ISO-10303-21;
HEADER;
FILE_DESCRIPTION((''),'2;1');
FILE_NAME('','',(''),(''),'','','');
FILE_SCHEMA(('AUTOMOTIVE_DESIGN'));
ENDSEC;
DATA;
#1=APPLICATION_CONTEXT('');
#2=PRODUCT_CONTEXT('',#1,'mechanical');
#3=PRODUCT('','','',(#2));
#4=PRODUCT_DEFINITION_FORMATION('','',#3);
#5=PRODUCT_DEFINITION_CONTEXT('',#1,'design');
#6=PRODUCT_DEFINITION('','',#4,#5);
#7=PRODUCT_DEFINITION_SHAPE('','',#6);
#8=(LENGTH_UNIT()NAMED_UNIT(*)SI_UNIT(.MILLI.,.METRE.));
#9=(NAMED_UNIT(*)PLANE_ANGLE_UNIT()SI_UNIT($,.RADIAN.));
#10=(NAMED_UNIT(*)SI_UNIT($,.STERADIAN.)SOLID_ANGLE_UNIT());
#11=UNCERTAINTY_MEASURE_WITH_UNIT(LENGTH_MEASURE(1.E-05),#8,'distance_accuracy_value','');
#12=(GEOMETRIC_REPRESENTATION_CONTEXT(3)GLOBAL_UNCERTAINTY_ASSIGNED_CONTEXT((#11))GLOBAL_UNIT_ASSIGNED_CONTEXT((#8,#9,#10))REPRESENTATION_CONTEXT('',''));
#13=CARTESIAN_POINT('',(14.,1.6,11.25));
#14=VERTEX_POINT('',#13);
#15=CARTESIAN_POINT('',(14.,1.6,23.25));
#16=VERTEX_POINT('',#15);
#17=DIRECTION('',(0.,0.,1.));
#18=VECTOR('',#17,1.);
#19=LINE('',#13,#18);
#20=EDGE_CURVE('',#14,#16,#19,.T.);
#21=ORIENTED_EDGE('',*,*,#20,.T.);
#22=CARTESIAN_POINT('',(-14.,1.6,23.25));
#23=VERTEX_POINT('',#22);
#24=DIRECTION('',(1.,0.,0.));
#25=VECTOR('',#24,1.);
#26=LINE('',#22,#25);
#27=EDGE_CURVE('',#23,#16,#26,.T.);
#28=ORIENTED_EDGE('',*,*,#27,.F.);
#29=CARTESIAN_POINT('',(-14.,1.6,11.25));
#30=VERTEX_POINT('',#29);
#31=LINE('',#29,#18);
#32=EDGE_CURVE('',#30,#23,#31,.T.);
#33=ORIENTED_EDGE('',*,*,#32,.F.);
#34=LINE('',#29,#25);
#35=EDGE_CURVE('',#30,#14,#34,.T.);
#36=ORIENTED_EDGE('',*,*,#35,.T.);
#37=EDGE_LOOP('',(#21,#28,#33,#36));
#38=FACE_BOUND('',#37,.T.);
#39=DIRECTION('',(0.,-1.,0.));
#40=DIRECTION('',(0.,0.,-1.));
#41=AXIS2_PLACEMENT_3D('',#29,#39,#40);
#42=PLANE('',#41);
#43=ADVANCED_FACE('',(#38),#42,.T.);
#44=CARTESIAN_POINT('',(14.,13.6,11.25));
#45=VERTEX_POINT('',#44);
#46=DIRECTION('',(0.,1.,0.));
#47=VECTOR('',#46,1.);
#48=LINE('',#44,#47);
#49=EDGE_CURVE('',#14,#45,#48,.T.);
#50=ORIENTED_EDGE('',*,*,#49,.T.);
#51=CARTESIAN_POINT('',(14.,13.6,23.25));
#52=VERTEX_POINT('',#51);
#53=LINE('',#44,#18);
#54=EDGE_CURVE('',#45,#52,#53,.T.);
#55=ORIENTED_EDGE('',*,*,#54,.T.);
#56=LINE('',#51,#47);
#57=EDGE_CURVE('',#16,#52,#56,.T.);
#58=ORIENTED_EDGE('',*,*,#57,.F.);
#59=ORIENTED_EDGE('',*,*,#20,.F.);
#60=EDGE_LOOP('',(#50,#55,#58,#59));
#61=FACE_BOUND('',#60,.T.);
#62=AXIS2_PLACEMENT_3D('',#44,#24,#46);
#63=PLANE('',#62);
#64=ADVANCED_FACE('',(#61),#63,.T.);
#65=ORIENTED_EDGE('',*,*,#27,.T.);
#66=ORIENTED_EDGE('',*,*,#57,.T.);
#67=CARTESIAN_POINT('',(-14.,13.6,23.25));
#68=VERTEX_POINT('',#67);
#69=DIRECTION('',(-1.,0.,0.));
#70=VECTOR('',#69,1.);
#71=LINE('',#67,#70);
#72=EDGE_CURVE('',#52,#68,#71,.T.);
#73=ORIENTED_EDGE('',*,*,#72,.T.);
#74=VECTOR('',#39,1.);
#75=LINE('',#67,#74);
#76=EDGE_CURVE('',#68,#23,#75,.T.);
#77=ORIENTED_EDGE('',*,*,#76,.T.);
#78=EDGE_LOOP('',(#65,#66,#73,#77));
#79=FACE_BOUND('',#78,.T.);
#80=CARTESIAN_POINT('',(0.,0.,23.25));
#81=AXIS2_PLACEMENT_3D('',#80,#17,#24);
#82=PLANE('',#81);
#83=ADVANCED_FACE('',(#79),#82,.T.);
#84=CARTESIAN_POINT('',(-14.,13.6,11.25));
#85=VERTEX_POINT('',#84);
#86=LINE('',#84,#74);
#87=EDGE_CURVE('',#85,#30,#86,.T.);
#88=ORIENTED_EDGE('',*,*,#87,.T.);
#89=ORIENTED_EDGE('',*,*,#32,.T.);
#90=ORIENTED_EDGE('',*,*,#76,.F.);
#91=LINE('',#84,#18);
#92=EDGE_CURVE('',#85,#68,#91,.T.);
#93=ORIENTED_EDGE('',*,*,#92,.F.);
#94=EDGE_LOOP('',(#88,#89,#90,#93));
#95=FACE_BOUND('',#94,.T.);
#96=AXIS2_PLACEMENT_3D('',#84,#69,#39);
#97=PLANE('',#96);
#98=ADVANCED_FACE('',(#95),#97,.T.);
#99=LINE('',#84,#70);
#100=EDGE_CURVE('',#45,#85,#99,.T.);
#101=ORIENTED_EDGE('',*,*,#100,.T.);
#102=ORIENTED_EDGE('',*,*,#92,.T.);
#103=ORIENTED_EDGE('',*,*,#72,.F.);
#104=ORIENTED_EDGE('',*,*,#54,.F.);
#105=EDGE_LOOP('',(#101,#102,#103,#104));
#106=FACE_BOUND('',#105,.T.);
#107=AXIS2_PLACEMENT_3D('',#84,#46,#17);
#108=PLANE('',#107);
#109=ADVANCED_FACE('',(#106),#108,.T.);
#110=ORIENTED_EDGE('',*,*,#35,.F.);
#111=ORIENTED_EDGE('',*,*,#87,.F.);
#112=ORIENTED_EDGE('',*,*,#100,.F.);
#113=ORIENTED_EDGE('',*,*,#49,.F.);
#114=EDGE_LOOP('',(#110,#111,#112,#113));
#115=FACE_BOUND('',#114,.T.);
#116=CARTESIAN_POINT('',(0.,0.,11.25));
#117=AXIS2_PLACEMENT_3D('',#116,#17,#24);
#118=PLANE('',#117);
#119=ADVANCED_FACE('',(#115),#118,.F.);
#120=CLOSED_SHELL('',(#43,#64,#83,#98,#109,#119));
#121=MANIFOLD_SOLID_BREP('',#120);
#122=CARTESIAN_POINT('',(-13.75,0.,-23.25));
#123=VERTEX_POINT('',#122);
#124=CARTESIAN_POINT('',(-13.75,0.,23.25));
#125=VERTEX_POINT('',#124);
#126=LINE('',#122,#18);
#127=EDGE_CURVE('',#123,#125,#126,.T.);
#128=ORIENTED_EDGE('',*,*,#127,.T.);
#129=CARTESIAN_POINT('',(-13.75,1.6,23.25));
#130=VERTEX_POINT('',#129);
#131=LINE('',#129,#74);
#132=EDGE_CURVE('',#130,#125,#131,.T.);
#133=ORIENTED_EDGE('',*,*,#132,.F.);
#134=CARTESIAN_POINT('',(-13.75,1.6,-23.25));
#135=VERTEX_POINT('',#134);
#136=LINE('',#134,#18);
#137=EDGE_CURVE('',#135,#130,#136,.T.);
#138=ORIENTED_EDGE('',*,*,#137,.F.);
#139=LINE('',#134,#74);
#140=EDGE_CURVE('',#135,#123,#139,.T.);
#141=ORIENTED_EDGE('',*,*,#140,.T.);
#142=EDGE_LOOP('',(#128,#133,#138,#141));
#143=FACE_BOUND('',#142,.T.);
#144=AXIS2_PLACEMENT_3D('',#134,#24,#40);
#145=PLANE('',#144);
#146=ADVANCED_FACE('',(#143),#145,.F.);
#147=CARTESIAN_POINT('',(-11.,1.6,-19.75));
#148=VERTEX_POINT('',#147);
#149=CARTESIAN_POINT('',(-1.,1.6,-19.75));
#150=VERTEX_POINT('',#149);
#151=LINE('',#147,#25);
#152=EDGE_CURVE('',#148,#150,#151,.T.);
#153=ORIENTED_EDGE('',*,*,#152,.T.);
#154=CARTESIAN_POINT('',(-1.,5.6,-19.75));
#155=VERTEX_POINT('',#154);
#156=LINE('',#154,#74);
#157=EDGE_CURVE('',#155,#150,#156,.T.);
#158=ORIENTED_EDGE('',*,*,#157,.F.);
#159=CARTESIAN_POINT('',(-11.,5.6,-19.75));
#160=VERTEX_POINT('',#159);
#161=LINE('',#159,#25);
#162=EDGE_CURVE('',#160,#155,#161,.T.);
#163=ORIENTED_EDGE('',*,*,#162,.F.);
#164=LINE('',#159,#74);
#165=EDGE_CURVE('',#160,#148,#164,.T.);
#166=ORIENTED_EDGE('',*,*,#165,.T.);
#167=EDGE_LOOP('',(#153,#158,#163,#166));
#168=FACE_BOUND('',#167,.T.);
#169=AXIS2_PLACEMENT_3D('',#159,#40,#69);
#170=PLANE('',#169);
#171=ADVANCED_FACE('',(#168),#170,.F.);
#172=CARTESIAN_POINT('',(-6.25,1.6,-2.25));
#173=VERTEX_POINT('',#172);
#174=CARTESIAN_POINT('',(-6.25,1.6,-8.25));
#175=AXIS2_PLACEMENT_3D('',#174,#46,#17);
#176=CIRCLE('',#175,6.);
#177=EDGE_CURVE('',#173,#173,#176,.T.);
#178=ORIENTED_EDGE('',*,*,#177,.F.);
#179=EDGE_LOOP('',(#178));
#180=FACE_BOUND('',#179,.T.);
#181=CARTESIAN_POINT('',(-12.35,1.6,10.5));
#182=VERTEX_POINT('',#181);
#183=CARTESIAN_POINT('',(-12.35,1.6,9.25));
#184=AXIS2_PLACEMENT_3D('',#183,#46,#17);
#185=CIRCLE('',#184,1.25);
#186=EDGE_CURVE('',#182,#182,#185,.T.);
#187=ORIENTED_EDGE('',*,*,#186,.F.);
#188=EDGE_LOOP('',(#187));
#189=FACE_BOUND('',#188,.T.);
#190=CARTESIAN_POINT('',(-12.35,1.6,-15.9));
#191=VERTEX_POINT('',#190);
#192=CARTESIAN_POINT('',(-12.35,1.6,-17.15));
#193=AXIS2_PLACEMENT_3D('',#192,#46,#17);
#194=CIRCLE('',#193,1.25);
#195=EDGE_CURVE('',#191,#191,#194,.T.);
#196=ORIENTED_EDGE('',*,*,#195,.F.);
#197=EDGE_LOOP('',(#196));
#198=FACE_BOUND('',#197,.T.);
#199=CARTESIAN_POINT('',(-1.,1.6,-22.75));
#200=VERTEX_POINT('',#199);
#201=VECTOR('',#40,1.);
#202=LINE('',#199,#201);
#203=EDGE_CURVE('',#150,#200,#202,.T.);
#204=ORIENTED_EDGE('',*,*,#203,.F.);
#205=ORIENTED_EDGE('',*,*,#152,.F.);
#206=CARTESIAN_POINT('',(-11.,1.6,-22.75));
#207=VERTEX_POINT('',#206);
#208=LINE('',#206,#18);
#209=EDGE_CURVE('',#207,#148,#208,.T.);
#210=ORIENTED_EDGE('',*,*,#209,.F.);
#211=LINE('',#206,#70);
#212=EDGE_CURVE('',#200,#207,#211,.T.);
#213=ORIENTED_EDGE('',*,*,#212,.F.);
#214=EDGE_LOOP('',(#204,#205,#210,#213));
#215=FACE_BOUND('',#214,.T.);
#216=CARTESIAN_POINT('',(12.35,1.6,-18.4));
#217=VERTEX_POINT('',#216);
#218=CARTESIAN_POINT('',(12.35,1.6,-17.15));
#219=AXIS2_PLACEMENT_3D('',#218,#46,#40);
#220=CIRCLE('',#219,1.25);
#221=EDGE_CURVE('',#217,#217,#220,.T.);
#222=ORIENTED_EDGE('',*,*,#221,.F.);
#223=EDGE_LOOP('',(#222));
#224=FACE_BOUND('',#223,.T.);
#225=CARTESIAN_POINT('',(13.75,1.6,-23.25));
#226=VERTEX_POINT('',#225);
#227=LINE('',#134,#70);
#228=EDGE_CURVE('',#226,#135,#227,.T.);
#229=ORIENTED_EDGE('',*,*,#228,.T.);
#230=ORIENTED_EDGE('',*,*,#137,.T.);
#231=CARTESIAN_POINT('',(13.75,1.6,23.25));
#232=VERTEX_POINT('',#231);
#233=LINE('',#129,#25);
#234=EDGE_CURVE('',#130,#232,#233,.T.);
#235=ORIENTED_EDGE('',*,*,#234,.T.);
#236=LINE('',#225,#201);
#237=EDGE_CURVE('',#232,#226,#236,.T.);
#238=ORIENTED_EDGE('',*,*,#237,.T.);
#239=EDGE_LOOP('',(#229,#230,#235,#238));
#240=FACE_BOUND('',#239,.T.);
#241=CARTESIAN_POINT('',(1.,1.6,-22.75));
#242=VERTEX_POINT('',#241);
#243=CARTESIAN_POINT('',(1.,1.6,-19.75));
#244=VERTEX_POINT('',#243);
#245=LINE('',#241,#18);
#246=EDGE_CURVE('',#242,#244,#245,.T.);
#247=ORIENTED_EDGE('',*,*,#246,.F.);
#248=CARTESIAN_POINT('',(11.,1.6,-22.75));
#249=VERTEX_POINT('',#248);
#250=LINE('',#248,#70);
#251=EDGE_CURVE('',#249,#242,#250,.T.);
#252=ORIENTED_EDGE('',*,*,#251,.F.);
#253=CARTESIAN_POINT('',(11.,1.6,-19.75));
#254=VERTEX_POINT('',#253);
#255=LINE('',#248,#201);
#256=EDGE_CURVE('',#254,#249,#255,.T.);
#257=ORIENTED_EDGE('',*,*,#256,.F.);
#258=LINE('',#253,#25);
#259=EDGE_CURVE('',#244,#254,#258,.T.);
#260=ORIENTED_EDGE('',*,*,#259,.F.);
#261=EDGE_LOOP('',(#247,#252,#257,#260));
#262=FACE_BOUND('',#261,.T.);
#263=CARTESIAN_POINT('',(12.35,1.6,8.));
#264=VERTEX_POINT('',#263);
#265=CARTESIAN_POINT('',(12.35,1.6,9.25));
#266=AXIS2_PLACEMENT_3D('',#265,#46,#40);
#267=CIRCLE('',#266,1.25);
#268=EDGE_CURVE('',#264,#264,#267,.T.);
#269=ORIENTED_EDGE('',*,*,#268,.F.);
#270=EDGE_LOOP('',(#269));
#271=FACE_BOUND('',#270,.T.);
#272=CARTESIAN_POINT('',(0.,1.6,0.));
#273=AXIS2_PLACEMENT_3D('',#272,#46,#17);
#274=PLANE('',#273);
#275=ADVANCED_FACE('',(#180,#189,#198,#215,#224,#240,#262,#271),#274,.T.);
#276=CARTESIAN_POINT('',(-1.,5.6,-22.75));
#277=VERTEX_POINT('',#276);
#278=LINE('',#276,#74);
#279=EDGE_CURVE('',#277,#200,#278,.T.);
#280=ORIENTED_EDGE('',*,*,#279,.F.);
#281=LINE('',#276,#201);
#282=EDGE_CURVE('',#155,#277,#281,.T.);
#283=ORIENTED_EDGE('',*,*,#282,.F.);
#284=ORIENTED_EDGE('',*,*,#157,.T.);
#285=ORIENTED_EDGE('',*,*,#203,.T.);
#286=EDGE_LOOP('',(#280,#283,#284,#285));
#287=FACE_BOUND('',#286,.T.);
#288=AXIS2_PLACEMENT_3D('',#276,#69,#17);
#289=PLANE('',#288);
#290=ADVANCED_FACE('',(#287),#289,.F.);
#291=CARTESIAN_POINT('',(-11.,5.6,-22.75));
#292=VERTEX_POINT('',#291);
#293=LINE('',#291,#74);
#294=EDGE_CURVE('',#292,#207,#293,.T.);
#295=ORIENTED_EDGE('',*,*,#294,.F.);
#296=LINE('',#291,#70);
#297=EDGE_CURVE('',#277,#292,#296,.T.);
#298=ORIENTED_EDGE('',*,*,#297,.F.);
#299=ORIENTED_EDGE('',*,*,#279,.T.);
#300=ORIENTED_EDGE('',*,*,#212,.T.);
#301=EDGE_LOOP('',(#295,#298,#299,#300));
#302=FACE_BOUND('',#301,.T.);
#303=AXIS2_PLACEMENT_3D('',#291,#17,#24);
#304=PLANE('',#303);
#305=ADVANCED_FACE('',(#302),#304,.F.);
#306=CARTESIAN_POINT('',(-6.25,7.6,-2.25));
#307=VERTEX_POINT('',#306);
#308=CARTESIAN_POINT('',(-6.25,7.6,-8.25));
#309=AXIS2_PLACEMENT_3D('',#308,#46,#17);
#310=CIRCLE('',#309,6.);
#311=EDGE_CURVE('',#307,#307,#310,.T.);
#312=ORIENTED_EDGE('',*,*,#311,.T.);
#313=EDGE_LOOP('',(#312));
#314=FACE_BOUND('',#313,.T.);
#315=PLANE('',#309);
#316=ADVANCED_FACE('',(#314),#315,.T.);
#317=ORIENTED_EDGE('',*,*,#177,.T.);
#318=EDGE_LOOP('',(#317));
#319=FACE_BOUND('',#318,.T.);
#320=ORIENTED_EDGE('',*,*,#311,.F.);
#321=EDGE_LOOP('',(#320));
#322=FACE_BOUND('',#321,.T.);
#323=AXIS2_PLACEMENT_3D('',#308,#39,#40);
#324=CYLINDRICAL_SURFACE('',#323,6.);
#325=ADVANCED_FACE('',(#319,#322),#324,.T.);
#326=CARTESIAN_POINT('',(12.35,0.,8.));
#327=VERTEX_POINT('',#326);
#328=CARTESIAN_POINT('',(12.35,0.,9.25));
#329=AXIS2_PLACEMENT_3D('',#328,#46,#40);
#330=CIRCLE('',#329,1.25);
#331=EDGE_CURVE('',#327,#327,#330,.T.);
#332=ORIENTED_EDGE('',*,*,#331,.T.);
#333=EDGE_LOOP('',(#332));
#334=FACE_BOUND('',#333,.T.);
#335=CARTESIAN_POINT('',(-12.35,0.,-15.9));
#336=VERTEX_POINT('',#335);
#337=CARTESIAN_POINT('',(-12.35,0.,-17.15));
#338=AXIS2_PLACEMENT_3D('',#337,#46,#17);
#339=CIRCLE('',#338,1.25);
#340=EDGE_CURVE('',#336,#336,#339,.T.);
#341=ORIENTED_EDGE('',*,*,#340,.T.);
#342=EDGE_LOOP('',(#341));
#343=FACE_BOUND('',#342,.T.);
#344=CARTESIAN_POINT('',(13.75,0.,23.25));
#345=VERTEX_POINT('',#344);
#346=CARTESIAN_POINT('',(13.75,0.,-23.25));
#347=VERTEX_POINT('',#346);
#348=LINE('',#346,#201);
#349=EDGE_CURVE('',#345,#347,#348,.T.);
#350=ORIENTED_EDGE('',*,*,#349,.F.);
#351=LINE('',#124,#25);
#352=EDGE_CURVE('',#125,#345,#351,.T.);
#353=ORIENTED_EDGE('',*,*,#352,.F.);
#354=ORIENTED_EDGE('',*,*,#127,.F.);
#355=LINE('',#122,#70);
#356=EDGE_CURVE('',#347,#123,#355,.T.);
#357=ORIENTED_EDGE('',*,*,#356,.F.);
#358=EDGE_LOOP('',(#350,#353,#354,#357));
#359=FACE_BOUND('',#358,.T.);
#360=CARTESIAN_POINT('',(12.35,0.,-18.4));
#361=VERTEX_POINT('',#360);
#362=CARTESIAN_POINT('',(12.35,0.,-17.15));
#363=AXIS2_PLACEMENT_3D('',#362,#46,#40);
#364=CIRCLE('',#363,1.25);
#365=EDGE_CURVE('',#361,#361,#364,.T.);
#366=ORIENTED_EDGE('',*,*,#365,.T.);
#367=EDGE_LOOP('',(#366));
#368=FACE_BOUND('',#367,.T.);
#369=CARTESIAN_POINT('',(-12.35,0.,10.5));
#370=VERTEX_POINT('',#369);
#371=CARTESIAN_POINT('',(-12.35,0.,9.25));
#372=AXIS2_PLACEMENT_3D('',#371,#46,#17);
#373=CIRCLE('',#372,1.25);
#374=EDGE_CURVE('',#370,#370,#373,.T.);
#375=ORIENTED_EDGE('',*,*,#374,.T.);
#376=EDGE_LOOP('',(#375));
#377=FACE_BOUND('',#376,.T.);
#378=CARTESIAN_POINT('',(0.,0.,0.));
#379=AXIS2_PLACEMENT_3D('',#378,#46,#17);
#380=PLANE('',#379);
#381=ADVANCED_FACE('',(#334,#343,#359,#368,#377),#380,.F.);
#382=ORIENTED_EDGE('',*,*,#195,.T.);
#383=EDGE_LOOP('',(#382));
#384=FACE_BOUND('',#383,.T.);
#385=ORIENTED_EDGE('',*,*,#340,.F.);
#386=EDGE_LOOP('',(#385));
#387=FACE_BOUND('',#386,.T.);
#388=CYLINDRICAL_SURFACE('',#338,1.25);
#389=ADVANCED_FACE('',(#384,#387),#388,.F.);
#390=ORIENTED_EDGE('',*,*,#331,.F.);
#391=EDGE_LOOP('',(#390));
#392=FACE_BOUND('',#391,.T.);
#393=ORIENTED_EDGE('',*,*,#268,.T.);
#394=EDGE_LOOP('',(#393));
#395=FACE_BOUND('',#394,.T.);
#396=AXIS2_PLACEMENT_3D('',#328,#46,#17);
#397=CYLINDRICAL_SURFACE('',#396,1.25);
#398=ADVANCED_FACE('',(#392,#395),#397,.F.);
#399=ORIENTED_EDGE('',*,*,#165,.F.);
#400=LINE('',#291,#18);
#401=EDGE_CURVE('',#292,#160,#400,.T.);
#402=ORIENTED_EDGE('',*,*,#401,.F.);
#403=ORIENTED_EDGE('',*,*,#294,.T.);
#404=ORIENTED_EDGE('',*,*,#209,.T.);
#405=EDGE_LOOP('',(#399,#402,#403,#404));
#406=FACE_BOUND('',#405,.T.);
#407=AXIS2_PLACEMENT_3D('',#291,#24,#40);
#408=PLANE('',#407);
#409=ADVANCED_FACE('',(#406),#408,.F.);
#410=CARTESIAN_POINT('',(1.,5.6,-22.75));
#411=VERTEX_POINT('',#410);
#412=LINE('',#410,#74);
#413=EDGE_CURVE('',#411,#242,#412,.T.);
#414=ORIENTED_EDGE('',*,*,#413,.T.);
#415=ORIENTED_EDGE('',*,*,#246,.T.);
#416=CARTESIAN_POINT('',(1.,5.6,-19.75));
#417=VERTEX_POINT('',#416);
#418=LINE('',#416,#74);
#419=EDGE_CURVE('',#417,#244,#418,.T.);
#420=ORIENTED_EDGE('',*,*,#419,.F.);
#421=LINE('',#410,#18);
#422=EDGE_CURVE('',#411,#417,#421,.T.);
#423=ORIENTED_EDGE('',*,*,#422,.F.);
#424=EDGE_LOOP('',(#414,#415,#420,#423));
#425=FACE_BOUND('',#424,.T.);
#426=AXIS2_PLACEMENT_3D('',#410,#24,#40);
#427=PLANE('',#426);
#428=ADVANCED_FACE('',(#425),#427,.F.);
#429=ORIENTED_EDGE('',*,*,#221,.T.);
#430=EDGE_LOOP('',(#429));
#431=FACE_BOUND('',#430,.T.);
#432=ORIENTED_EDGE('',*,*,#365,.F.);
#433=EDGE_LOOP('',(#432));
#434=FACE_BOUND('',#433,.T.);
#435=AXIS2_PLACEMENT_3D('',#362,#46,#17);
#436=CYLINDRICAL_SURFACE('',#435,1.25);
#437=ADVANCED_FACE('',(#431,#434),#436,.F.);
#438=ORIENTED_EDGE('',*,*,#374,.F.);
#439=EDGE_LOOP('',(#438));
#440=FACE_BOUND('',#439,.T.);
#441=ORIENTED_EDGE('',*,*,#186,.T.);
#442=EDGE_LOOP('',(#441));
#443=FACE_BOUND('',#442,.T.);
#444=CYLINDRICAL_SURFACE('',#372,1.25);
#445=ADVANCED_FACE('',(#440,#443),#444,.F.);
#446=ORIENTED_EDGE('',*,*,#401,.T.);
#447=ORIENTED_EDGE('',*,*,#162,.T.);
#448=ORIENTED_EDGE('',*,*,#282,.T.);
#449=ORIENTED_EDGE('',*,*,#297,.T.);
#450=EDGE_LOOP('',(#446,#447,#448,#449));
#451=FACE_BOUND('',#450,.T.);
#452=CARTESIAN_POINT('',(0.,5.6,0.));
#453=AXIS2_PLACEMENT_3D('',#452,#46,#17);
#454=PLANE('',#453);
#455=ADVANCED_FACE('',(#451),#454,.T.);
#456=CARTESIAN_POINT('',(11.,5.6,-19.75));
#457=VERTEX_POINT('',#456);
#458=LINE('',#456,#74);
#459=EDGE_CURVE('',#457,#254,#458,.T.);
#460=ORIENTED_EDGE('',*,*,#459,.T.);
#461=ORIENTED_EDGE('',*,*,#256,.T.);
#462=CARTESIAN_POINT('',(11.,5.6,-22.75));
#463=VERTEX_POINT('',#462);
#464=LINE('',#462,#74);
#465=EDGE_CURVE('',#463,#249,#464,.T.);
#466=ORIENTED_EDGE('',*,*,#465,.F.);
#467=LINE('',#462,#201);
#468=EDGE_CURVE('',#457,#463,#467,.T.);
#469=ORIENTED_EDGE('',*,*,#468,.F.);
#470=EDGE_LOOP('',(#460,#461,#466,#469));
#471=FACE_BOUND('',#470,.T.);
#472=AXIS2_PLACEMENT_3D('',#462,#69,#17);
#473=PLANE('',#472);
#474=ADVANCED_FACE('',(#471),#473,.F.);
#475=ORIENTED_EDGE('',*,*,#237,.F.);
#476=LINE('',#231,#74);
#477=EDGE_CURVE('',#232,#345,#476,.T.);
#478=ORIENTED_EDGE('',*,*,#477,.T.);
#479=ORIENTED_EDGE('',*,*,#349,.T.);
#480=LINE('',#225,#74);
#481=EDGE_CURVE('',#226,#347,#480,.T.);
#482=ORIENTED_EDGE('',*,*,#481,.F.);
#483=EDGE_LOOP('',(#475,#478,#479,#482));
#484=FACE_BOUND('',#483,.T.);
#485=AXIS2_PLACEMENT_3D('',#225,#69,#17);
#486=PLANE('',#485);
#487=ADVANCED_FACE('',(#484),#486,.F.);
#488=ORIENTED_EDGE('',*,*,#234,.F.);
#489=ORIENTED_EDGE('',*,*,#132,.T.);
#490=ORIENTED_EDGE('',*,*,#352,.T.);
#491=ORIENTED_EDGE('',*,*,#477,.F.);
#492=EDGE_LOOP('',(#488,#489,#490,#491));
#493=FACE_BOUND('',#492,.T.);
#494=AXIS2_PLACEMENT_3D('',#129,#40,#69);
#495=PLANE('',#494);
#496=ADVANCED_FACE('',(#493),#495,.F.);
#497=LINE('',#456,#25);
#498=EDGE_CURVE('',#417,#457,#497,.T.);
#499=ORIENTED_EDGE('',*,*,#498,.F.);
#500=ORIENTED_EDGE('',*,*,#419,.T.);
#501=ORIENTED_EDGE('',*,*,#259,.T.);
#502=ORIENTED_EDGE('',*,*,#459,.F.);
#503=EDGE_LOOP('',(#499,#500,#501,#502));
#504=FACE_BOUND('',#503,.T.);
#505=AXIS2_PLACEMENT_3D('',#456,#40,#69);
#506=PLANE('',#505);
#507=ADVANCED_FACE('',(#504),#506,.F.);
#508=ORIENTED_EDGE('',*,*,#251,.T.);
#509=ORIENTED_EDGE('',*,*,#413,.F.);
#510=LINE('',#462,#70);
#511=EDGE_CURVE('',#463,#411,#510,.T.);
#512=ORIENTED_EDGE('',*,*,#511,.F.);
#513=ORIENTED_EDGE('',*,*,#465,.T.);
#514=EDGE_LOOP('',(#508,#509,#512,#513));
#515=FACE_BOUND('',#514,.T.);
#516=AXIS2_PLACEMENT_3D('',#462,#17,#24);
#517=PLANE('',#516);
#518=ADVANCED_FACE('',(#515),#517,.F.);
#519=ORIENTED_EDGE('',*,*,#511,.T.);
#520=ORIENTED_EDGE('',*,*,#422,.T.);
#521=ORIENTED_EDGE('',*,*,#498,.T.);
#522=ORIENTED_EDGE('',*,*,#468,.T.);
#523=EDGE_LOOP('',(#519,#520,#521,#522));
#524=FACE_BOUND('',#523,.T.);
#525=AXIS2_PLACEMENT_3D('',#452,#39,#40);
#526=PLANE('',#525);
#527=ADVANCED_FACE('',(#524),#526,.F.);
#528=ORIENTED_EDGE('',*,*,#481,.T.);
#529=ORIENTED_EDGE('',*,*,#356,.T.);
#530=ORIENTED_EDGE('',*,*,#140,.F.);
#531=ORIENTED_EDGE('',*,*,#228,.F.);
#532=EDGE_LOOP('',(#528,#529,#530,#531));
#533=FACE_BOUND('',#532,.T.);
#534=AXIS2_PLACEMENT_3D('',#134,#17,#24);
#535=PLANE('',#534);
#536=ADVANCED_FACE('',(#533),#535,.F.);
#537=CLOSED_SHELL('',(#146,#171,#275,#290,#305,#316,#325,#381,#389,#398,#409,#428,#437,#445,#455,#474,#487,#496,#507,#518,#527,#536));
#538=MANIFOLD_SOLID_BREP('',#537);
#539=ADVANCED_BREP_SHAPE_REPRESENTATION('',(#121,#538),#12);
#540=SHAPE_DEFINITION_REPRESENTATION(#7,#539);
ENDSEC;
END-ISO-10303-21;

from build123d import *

# Parameters (mm, degrees)
SKETCH1_W            = 27.5
SKETCH1_H            = 46.5
PCB_DEPTH            = 1.6
SKETCH2_W            = 28
SKETCH2_H            = 12
SCANNER_DEPTH        = 12
SKETCH3_R            = 1.25
MOUNTING_HOLES_DEPTH = 30.674273369
SKETCH4_R            = 6
PIEZO_BUZZER_DEPTH   = 6
SKETCH5_W            = 10
SKETCH5_H            = 3
CONNECTORS_DEPTH     = 4


with BuildPart() as part:
    # Sketch1 → PCB (new body)
    with BuildSketch(Plane(origin=(0, 0, 0), x_dir=(1, 0, 0), z_dir=(0, 1, 0))):
        Rectangle(SKETCH1_W, SKETCH1_H)
    extrude(amount=PCB_DEPTH)

    # Sketch3 → Mounting Holes (cut, through all)
    with BuildSketch(Plane(origin=(0, 1.6, 0), x_dir=(1, 0, 0), z_dir=(0, 1, 0))):
        with Locations(Location((-12.35, 17.15, 0), (0, 0, 270))):
            Circle(SKETCH3_R)
        with Locations(Location((-12.35, -9.25, 0), (0, 0, 270))):
            Circle(SKETCH3_R)
        with Locations(Location((12.35, -9.25, 0), (0, 0, 90))):
            Circle(SKETCH3_R)
        with Locations(Location((12.35, 17.15, 0), (0, 0, 90))):
            Circle(SKETCH3_R)
    extrude(amount=-MOUNTING_HOLES_DEPTH, mode=Mode.SUBTRACT)

    # Sketch4 → Piezo Buzzer (add)
    with BuildSketch(Plane(origin=(0, 1.6, 0), x_dir=(1, 0, 0), z_dir=(0, 1, 0))):
        with Locations(Location((-6.25, 8.25, 0), (0, 0, 270))):
            Circle(SKETCH4_R)
    extrude(amount=PIEZO_BUZZER_DEPTH)

    # Sketch5 → Connectors (add)
    with BuildSketch(Plane(origin=(0, 1.6, 0), x_dir=(1, 0, 0), z_dir=(0, 1, 0))):
        with Locations((-6, 21.25)):
            Rectangle(SKETCH5_W, SKETCH5_H)
        with Locations((6, 21.25)):
            Rectangle(SKETCH5_W, SKETCH5_H)
    extrude(amount=CONNECTORS_DEPTH)


with BuildPart() as body_2:
    # Sketch2 → Scanner (new body)
    with BuildSketch(Plane.XY.offset(23.25)):
        with Locations((0, 7.6)):
            Rectangle(SKETCH2_W, SKETCH2_H)
    extrude(amount=-SCANNER_DEPTH)


solid = Compound([part.part, body_2.part])
